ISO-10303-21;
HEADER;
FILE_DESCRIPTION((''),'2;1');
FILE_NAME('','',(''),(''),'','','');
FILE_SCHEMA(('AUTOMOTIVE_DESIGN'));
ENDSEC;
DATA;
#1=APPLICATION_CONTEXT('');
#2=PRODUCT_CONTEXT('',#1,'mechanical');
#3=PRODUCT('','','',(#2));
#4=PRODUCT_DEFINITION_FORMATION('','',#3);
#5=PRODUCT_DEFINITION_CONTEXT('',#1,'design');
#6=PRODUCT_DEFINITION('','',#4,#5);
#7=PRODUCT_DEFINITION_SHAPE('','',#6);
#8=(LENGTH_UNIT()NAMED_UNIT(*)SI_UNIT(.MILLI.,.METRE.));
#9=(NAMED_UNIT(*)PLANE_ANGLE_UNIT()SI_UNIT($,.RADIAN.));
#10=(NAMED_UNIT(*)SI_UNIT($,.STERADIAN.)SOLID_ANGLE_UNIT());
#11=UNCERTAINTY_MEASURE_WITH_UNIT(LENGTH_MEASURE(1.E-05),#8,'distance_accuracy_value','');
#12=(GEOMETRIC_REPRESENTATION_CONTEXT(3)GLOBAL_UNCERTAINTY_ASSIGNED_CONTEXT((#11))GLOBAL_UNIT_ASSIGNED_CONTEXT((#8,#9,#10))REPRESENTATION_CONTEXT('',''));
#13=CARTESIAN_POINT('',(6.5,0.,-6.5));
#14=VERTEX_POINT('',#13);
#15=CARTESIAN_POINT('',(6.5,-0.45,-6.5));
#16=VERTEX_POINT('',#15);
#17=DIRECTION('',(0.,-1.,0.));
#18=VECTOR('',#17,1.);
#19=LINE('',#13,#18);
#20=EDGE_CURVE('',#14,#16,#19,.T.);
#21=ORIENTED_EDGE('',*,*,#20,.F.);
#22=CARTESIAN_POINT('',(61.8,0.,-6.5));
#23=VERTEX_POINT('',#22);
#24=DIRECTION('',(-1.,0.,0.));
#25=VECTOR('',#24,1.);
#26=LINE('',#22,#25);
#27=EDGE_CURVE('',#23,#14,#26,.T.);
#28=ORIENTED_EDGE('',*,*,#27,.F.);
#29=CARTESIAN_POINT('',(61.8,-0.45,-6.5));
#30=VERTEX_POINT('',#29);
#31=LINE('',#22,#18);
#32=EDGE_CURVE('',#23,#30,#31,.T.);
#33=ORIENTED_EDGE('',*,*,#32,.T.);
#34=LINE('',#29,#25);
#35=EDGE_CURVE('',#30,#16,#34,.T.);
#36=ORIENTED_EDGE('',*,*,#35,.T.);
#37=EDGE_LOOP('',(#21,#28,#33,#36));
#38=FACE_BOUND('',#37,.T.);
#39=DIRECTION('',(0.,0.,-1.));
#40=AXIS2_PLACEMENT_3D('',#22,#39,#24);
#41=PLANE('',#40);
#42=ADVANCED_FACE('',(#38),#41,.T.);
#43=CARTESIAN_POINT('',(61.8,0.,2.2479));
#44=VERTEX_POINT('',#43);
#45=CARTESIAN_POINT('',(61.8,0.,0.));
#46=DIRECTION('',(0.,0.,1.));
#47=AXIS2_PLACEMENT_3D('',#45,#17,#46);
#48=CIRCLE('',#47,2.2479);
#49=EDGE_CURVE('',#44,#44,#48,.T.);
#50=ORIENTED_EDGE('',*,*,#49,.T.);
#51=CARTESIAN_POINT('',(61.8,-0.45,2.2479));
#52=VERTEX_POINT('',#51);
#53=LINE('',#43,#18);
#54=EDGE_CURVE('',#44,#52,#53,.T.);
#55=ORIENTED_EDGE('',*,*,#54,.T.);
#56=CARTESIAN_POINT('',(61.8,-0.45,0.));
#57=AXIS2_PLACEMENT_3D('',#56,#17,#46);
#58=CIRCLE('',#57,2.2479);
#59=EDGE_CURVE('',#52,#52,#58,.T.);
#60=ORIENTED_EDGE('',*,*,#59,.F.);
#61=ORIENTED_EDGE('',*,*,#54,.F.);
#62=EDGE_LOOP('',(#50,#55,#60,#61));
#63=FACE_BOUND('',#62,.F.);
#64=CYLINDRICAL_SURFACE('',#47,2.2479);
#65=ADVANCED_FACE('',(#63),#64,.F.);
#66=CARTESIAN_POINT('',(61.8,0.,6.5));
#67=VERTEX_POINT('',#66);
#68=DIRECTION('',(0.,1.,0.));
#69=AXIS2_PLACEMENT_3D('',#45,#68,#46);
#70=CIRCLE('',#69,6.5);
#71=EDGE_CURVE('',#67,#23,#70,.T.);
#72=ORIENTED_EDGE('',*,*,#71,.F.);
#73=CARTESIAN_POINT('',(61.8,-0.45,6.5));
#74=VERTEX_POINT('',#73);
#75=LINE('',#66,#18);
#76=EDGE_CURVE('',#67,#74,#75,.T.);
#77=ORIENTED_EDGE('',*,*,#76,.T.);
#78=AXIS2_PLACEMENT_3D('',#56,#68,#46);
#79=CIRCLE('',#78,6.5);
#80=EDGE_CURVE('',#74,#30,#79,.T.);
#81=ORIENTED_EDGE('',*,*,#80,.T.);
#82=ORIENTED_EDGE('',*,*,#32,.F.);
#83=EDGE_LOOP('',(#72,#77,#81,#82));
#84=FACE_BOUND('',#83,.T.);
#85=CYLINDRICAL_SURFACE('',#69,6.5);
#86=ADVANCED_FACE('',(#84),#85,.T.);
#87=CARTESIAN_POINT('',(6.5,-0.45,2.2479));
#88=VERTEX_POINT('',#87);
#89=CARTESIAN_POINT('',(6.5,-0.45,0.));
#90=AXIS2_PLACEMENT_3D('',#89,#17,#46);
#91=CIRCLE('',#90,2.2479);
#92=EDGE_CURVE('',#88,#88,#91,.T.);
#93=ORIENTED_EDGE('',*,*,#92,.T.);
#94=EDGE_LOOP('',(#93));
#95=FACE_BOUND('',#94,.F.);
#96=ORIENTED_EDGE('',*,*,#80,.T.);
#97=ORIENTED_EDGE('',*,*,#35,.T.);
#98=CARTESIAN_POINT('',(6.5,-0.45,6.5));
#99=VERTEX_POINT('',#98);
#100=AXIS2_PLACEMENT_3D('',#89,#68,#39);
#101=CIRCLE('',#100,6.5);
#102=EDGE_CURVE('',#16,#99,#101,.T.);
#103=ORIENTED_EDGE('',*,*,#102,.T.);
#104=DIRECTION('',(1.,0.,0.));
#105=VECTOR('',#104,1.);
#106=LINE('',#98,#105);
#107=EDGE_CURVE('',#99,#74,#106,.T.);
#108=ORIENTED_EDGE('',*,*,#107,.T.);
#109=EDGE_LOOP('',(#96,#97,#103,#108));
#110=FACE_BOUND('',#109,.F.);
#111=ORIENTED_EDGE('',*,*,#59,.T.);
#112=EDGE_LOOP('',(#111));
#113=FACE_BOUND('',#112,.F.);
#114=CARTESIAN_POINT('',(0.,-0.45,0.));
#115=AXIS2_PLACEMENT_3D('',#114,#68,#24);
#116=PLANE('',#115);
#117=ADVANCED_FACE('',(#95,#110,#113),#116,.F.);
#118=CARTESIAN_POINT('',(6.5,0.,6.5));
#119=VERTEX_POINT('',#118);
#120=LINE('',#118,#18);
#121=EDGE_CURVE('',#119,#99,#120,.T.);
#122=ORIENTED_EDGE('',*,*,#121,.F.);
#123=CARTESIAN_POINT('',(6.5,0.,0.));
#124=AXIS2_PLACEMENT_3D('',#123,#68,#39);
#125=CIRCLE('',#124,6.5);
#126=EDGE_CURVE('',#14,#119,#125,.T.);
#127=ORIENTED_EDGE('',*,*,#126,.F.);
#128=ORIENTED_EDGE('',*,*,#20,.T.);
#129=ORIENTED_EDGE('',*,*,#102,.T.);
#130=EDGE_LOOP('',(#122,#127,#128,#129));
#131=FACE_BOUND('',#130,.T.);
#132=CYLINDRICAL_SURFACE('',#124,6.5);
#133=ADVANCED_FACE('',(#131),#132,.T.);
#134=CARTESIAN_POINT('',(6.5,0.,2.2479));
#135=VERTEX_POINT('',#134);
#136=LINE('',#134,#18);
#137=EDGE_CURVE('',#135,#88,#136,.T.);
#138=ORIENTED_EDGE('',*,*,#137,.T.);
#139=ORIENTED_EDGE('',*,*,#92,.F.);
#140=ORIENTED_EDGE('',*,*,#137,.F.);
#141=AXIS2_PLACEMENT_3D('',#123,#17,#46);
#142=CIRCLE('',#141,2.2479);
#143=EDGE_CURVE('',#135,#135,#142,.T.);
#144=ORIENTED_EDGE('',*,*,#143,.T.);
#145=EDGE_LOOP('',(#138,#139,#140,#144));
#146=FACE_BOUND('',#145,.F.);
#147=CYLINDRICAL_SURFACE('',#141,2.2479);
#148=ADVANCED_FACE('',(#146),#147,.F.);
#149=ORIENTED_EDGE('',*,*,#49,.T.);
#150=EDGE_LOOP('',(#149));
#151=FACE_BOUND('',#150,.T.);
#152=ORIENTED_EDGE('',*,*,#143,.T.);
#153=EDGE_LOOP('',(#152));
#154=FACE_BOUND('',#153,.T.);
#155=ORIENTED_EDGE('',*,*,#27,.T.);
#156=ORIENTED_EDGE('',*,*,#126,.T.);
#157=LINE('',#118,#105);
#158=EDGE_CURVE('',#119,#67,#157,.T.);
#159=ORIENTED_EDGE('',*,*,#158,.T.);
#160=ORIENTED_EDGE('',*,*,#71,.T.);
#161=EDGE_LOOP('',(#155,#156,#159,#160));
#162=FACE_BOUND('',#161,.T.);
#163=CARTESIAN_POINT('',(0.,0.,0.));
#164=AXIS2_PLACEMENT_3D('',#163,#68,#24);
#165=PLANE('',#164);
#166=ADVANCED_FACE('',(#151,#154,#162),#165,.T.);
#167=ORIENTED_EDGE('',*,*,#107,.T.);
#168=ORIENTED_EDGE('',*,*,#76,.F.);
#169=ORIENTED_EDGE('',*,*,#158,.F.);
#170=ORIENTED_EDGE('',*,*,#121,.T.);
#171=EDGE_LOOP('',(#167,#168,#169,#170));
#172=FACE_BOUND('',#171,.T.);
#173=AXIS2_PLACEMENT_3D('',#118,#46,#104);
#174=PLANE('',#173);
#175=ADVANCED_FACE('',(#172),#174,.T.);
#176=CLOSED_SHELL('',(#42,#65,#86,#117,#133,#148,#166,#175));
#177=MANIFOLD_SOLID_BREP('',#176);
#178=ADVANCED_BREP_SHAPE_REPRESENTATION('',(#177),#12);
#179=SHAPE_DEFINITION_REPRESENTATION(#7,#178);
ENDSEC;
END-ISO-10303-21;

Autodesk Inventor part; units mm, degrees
ref_plane "YZ Plane" through (0, 0, 0) normal (1, 0, 0) x (0, 1, 0)
ref_plane "XZ Plane" through (0, 0, 0) normal (0, 1, 0) x (-1, 0, 0)
ref_plane "XY Plane" through (0, 0, 0) normal (0, 0, 1) x (1, 0, 0)
sketch "Sketch1" plane through (0, 0, 0) normal (0, 1, 0) x (-1, 0, 0)
  line L0 (0, 0) -> (-68.3, 0) construction
  line L1 (-6.5, 6.5) -> (-61.8, 6.5)
  line L2 (-61.8, -6.5) -> (-6.5, -6.5)
  arc A0 (-6.5, -6.5) -> (-6.5, 6.5) centre (-6.5, 0) ccw
  arc A1 (-61.8, 6.5) -> (-61.8, -6.5) centre (-61.8, 0) ccw
  line L3 (-23.9184, -1.1237) -> (-43.8581, -1.1237) construction
  line L4 (-43.8581, -1.1237) -> (-43.8581, 0.6417) construction
  line L5 (-43.8581, 0.6417) -> (-23.9184, 0.6417) construction
  line L6 (-23.9184, 0.6417) -> (-23.9184, -1.1237) construction
  line L7 (-34.15, -6.5) -> (-34.15, 6.5) construction
  point P0 (-34.15, 0)
  dimension "MinimumRemnant" = 0.9
  dimension "d21" = 68.3
  dimension "d22" = 13
extrude "Plate2" add sketch "Sketch1" against normal blind 0.45
hole "Hole2" at (6.5, 0, 0) at (61.8, 0, 0) direction (0, -1, 0) diameter 4.4958 end through all clearance for "Socket Head Cap Screw" size "M4" standard "Ansi Metric M Profile"
equation "\"MinimumRemnant\" = 2 * Thickness"
equation "\"d29\" = Thickness"
equation "\"d23\" = Thickness"
equation "\"BendRadius\" = Thickness"
equation "\"BendReliefWidth\" = Thickness"
equation "\"BendReliefDepth\" = 0.5 * Thickness"
equation "\"CornerReliefSize\" = 4 * Thickness"
equation "\"TransitionRadius\" = BendRadius"
equation "\"JacobiRadiusSize\" = BendRadius"
equation "\"GapSize\" = Thickness"
equation "\"radius\" = 6"
equation "\"Thickness\" = 0.45"
properties part number "Part16.5mm" material "Steel, Carbon"
